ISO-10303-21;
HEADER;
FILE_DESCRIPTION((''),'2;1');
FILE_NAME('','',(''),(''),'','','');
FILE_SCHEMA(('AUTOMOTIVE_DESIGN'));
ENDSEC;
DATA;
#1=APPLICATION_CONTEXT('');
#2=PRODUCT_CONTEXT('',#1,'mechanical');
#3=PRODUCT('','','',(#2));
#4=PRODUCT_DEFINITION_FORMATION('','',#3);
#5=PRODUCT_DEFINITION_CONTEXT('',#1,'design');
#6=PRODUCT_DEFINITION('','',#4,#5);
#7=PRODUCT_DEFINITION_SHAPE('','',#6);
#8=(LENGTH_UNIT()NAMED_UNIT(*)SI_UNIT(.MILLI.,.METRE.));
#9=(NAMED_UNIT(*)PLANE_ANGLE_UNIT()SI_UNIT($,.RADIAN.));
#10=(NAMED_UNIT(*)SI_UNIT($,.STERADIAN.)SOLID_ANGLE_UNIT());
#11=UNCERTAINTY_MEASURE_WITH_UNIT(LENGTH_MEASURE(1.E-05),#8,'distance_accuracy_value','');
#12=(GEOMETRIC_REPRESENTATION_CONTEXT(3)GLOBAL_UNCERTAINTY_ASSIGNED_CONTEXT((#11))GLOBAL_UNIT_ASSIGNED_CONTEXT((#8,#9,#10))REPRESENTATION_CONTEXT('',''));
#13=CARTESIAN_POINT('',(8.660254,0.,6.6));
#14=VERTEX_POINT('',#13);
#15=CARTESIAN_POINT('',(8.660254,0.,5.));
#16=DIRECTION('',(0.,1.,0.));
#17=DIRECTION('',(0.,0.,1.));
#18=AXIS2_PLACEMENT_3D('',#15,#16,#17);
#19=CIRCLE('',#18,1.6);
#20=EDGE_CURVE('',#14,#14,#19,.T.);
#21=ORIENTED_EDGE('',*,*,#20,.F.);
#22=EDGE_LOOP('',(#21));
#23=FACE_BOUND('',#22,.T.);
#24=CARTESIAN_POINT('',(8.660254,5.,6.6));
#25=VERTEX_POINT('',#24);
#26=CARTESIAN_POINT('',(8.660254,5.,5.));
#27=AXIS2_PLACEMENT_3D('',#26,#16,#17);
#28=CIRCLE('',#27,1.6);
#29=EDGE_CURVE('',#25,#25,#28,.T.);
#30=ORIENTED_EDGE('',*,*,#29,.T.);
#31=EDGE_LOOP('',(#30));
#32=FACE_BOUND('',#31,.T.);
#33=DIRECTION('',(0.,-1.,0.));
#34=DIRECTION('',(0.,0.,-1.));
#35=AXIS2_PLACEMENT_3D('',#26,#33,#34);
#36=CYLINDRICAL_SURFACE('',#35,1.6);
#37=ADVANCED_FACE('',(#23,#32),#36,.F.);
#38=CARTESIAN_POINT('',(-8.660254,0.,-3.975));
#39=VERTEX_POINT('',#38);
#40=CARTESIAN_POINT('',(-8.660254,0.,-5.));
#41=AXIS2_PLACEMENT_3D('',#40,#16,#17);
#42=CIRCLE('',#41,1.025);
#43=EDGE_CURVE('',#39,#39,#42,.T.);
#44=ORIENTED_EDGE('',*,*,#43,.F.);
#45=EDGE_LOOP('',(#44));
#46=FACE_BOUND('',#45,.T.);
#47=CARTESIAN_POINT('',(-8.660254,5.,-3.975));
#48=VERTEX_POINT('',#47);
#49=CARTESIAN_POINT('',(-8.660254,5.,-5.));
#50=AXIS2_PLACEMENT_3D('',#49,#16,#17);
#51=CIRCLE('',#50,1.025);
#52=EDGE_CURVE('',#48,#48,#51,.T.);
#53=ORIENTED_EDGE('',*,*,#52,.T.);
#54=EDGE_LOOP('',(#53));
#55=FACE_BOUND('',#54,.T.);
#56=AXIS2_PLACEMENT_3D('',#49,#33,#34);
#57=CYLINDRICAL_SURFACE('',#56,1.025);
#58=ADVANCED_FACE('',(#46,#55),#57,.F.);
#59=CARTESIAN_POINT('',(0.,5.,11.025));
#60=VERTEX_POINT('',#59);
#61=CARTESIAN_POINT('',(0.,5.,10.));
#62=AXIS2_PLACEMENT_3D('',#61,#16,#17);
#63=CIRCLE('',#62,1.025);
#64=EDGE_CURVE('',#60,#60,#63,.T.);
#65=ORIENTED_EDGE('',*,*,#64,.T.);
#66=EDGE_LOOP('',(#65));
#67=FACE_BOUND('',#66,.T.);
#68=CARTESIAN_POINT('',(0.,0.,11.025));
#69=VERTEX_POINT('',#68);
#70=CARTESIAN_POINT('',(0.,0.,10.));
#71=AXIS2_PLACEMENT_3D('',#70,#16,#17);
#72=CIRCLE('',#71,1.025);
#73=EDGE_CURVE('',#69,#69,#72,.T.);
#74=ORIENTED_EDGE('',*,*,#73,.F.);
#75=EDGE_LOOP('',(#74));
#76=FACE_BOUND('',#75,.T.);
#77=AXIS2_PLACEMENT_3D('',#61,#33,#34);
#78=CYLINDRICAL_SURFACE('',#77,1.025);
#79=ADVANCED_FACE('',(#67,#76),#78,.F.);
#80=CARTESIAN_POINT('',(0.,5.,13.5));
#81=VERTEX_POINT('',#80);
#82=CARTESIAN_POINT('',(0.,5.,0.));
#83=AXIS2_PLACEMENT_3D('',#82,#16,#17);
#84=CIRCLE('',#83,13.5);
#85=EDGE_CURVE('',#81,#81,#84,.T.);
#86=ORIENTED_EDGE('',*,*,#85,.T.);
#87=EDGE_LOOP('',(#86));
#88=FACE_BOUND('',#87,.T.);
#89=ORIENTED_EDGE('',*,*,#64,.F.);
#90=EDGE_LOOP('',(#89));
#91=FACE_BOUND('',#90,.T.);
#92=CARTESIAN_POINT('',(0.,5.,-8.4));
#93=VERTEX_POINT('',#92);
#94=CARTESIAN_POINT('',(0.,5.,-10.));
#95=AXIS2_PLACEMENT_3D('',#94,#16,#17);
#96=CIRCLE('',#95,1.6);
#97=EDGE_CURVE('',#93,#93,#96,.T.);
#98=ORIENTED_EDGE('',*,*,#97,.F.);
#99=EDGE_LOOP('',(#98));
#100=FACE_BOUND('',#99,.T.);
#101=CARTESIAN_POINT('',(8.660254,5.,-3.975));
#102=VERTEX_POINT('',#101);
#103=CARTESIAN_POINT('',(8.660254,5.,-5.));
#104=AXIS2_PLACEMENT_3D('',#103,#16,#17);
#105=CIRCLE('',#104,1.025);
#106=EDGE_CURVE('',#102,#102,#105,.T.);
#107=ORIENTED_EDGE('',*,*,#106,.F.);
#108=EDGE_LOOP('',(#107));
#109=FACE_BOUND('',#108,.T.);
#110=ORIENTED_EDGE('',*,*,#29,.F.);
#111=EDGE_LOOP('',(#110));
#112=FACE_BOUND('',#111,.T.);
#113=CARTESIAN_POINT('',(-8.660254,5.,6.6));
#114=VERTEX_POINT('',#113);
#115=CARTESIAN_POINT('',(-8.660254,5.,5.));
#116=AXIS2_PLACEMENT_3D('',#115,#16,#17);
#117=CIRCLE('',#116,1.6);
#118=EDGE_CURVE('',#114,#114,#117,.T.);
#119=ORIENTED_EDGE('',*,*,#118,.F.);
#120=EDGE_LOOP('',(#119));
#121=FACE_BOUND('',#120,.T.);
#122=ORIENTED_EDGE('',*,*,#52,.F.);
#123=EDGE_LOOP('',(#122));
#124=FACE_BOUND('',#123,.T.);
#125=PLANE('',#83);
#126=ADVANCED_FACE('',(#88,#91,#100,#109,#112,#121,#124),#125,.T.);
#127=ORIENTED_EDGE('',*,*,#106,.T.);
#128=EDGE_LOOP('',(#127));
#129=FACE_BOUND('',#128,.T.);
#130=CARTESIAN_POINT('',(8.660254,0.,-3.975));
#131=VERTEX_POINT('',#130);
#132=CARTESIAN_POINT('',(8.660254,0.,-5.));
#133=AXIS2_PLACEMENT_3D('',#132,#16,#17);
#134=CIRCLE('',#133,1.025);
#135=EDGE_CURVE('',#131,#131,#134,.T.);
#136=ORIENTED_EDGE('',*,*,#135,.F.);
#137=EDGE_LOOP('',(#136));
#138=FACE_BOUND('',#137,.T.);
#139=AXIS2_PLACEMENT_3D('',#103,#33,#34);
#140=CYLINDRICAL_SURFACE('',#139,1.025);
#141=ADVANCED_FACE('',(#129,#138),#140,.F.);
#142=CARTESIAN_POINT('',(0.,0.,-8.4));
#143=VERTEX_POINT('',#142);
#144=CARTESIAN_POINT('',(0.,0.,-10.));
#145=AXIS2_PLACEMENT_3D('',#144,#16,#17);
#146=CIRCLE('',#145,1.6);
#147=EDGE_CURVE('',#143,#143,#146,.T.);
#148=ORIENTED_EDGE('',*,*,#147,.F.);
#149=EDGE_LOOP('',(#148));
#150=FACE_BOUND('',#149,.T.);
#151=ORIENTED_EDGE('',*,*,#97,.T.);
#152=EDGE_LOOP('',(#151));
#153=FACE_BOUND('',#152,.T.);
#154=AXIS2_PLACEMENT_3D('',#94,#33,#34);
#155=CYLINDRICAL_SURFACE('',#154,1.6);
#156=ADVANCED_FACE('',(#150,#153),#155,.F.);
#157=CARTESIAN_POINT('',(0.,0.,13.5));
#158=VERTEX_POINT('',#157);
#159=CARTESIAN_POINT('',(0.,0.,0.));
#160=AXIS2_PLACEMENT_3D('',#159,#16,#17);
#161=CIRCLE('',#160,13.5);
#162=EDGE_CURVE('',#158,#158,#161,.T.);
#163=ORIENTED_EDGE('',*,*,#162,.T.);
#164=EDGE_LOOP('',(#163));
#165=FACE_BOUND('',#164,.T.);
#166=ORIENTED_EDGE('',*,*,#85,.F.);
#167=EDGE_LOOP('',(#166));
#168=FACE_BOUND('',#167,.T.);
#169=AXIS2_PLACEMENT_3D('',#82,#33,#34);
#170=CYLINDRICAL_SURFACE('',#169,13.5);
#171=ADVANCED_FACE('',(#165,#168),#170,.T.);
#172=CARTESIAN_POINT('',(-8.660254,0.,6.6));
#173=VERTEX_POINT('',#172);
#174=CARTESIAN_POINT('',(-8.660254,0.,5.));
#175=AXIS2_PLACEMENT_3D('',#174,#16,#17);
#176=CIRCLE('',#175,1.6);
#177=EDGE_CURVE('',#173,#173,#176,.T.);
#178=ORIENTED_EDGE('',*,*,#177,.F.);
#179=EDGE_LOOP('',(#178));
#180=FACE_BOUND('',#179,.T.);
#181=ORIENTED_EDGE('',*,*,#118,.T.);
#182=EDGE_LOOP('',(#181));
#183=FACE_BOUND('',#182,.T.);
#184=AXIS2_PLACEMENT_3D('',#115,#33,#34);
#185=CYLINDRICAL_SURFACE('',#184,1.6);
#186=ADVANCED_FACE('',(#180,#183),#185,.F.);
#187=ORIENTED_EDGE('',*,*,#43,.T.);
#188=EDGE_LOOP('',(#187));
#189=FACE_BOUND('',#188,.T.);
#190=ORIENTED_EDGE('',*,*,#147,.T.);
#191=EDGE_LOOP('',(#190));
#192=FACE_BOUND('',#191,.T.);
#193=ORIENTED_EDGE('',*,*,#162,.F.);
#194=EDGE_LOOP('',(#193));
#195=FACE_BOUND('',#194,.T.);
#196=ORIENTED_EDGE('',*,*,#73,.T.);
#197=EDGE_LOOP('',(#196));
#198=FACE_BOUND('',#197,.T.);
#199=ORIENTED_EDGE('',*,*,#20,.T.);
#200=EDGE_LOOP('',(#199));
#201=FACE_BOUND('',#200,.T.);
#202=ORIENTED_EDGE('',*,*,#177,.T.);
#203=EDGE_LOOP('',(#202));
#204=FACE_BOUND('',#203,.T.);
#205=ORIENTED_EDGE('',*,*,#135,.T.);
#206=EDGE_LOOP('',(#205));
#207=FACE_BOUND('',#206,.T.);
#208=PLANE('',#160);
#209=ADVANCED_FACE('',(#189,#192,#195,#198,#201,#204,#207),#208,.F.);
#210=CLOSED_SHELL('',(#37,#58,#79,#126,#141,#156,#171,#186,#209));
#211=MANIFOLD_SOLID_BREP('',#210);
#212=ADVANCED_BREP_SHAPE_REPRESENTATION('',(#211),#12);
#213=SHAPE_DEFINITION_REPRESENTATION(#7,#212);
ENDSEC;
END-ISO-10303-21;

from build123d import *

# Parameters (mm, degrees)
SKETCH_1_R      = 13.5
SKETCH_1_R_2    = 1.6
SKETCH_1_R_3    = 1.025
EXTRUDE_1_DEPTH = 5


with BuildPart() as part:
    # 草图1 → 凸台-拉伸1 (new body)
    with BuildSketch(Plane(origin=(0, 0, 0), x_dir=(1, 0, 0), z_dir=(0, 1, 0))):
        with Locations(Location((0, 0, 0), (0, 0, 270))):
            Circle(SKETCH_1_R)
        with Locations(Location((0, 10, 0), (0, 0, 270))):
            Circle(SKETCH_1_R_2, mode=Mode.SUBTRACT)
        with Locations(Location((8.660254038, -5, 0), (0, 0, 270))):
            Circle(SKETCH_1_R_2, mode=Mode.SUBTRACT)
        with Locations(Location((-8.660254038, -5, 0), (0, 0, 270))):
            Circle(SKETCH_1_R_2, mode=Mode.SUBTRACT)
        with Locations(Location((8.660254038, 5, 0), (0, 0, 270))):
            Circle(SKETCH_1_R_3, mode=Mode.SUBTRACT)
        with Locations(Location((0, -10, 0), (0, 0, 270))):
            Circle(SKETCH_1_R_3, mode=Mode.SUBTRACT)
        with Locations(Location((-8.660254038, 5, 0), (0, 0, 270))):
            Circle(SKETCH_1_R_3, mode=Mode.SUBTRACT)
    extrude(amount=EXTRUDE_1_DEPTH)


solid = part.part
